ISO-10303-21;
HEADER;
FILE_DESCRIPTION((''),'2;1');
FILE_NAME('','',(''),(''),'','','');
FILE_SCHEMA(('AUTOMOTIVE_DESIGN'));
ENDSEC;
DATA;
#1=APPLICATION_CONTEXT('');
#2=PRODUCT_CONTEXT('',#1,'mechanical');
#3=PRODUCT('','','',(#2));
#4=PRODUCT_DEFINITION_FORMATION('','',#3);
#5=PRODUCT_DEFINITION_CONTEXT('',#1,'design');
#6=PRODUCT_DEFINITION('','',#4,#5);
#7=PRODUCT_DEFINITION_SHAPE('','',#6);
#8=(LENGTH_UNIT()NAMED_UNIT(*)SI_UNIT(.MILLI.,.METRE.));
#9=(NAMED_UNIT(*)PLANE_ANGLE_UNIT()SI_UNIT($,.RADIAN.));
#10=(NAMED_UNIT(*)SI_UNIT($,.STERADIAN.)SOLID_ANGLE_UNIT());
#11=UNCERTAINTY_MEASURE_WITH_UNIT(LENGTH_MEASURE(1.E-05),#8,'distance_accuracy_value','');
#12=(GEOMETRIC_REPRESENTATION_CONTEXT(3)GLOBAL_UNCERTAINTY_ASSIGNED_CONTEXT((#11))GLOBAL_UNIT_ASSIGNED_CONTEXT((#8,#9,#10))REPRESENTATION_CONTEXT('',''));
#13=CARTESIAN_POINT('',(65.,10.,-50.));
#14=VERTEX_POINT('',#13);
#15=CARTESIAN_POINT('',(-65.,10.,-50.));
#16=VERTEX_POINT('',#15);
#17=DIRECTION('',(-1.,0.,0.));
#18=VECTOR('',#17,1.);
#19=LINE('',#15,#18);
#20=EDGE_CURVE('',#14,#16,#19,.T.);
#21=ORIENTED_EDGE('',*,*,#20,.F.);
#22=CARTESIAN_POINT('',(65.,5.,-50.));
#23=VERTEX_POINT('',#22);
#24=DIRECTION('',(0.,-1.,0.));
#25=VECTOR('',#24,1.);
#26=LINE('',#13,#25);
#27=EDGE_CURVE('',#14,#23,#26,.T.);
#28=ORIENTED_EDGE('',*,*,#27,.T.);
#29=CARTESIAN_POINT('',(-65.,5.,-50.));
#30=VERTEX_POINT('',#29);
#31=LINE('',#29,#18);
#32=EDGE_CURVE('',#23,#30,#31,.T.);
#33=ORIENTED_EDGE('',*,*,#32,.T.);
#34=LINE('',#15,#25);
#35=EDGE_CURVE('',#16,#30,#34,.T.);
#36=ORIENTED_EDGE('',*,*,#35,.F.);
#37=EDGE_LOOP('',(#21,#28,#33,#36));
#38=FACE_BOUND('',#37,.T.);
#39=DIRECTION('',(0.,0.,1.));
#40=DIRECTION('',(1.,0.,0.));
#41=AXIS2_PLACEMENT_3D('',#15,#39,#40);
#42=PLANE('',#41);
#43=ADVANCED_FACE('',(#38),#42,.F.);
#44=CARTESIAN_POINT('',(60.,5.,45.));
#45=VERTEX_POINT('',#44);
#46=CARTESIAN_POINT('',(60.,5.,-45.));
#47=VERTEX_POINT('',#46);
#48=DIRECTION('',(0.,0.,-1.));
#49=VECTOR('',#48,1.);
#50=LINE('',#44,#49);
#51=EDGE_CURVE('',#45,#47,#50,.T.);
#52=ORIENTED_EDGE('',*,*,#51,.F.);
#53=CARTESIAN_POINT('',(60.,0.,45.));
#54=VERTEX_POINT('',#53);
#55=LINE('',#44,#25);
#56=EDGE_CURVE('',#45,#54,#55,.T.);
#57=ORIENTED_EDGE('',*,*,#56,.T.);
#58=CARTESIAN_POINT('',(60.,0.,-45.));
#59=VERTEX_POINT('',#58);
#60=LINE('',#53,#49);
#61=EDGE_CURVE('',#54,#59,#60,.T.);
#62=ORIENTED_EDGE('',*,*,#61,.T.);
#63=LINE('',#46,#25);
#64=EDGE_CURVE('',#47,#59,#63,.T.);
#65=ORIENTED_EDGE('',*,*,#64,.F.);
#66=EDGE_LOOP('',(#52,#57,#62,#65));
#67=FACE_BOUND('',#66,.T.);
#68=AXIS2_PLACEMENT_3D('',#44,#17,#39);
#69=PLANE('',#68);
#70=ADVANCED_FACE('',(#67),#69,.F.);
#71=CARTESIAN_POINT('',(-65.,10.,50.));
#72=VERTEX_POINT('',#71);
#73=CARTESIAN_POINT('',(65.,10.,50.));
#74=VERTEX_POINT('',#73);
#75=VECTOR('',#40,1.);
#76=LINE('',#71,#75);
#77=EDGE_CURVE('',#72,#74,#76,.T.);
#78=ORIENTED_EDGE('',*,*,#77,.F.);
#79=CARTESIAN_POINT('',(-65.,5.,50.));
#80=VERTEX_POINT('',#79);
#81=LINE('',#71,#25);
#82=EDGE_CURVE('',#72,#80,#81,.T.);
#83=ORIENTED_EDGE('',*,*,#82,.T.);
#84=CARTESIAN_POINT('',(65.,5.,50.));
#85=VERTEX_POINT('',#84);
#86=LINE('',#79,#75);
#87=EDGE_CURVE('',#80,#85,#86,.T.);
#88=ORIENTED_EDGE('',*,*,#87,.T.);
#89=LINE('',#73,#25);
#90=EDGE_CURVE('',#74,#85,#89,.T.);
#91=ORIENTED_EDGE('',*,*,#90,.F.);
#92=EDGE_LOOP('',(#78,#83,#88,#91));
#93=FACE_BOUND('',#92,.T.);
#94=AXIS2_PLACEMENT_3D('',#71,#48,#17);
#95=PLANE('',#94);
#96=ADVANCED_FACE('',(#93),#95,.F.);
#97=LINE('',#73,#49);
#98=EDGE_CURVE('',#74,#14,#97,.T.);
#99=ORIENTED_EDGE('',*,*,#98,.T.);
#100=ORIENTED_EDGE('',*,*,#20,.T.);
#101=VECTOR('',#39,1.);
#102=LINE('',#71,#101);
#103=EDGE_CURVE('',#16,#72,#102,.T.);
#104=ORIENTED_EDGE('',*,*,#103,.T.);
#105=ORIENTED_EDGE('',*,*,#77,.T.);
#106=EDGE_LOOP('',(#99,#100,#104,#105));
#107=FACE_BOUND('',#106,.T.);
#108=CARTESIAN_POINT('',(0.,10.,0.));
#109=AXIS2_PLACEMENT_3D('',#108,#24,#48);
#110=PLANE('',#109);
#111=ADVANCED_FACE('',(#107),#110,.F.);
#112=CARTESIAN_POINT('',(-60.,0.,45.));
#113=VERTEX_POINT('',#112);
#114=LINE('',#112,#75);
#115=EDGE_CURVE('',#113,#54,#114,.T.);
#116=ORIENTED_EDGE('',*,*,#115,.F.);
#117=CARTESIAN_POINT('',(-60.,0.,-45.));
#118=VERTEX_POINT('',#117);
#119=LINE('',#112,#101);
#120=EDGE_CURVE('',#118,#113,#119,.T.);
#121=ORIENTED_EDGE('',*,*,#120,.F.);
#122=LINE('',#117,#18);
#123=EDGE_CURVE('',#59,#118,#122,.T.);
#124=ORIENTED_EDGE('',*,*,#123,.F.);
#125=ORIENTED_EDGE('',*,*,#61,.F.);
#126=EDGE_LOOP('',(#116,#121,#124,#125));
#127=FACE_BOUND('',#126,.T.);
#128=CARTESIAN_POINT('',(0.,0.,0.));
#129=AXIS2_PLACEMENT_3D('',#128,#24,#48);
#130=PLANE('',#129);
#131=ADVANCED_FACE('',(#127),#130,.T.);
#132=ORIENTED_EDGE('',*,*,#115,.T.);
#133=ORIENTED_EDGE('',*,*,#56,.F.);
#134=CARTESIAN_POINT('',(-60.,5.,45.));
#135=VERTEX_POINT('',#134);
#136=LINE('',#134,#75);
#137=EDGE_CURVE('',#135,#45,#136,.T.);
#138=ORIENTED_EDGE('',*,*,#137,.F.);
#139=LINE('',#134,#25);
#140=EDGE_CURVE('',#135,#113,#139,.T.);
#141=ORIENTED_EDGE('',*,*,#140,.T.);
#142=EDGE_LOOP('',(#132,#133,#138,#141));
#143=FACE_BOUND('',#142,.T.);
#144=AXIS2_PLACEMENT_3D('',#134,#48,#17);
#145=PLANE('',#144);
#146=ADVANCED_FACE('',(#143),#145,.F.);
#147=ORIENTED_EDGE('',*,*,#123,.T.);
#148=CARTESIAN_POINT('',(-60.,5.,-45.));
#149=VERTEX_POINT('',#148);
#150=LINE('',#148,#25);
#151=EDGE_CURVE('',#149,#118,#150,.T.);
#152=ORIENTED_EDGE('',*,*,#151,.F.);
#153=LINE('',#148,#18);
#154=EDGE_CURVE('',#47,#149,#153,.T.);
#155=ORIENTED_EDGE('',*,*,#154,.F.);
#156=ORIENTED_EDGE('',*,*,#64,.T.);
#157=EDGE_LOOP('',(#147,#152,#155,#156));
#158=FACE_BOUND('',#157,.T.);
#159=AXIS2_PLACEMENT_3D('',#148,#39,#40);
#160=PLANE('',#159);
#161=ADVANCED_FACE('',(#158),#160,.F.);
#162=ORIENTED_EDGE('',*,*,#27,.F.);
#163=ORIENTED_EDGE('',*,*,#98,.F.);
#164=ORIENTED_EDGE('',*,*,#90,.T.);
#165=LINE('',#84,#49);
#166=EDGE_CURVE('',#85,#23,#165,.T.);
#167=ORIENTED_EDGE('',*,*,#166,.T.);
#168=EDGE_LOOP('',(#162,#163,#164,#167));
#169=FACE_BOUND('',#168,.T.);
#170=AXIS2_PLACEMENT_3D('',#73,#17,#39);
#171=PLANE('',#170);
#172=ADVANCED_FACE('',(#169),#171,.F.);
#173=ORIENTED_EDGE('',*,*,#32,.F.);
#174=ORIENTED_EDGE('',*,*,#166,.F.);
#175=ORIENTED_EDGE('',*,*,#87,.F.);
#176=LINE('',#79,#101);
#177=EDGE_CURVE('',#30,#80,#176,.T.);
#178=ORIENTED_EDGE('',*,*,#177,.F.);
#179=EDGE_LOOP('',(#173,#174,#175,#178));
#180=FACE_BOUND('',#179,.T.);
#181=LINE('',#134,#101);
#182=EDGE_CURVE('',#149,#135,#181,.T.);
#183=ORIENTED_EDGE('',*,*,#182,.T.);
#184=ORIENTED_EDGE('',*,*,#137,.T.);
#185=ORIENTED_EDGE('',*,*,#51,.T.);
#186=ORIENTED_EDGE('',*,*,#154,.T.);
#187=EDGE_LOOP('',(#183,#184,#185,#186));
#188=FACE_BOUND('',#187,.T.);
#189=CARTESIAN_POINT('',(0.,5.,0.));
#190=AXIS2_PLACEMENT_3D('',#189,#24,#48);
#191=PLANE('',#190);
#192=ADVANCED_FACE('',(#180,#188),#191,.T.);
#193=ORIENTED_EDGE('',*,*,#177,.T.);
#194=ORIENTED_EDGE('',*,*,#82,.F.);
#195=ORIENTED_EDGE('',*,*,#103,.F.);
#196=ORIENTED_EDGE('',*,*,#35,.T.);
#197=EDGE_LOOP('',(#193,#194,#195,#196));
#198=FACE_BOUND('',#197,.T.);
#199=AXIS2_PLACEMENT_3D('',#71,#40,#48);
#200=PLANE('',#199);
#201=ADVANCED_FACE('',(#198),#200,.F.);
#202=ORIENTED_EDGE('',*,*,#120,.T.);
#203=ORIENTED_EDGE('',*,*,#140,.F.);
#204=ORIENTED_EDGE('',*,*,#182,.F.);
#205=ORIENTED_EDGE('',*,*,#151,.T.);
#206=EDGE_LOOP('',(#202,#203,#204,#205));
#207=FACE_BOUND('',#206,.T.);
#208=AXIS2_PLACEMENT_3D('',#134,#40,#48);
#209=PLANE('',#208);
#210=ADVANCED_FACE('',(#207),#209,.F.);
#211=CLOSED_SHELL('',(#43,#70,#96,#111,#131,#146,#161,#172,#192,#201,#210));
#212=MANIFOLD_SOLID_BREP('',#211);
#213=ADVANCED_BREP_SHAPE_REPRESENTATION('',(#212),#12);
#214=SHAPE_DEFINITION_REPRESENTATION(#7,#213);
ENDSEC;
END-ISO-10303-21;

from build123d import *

# Parameters (mm, degrees)
SKETCH1_W           = 120
SKETCH1_H           = 90
BOSS_EXTRUDE1_DEPTH = 5
SKETCH2_W           = 130
SKETCH2_H           = 100
BOSS_EXTRUDE2_DEPTH = 5


with BuildPart() as part:
    # Sketch1 → Boss-Extrude1 (new body)
    with BuildSketch(Plane(origin=(0, 0, 0), x_dir=(1, 0, 0), z_dir=(0, 1, 0))):
        Rectangle(SKETCH1_W, SKETCH1_H)
    extrude(amount=BOSS_EXTRUDE1_DEPTH)

    # Sketch2 → Boss-Extrude2 (add)
    with BuildSketch(Plane(origin=(0, 5, 0), x_dir=(1, 0, 0), z_dir=(0, 1, 0))):
        Rectangle(SKETCH2_W, SKETCH2_H)
    extrude(amount=BOSS_EXTRUDE2_DEPTH)


solid = part.part
